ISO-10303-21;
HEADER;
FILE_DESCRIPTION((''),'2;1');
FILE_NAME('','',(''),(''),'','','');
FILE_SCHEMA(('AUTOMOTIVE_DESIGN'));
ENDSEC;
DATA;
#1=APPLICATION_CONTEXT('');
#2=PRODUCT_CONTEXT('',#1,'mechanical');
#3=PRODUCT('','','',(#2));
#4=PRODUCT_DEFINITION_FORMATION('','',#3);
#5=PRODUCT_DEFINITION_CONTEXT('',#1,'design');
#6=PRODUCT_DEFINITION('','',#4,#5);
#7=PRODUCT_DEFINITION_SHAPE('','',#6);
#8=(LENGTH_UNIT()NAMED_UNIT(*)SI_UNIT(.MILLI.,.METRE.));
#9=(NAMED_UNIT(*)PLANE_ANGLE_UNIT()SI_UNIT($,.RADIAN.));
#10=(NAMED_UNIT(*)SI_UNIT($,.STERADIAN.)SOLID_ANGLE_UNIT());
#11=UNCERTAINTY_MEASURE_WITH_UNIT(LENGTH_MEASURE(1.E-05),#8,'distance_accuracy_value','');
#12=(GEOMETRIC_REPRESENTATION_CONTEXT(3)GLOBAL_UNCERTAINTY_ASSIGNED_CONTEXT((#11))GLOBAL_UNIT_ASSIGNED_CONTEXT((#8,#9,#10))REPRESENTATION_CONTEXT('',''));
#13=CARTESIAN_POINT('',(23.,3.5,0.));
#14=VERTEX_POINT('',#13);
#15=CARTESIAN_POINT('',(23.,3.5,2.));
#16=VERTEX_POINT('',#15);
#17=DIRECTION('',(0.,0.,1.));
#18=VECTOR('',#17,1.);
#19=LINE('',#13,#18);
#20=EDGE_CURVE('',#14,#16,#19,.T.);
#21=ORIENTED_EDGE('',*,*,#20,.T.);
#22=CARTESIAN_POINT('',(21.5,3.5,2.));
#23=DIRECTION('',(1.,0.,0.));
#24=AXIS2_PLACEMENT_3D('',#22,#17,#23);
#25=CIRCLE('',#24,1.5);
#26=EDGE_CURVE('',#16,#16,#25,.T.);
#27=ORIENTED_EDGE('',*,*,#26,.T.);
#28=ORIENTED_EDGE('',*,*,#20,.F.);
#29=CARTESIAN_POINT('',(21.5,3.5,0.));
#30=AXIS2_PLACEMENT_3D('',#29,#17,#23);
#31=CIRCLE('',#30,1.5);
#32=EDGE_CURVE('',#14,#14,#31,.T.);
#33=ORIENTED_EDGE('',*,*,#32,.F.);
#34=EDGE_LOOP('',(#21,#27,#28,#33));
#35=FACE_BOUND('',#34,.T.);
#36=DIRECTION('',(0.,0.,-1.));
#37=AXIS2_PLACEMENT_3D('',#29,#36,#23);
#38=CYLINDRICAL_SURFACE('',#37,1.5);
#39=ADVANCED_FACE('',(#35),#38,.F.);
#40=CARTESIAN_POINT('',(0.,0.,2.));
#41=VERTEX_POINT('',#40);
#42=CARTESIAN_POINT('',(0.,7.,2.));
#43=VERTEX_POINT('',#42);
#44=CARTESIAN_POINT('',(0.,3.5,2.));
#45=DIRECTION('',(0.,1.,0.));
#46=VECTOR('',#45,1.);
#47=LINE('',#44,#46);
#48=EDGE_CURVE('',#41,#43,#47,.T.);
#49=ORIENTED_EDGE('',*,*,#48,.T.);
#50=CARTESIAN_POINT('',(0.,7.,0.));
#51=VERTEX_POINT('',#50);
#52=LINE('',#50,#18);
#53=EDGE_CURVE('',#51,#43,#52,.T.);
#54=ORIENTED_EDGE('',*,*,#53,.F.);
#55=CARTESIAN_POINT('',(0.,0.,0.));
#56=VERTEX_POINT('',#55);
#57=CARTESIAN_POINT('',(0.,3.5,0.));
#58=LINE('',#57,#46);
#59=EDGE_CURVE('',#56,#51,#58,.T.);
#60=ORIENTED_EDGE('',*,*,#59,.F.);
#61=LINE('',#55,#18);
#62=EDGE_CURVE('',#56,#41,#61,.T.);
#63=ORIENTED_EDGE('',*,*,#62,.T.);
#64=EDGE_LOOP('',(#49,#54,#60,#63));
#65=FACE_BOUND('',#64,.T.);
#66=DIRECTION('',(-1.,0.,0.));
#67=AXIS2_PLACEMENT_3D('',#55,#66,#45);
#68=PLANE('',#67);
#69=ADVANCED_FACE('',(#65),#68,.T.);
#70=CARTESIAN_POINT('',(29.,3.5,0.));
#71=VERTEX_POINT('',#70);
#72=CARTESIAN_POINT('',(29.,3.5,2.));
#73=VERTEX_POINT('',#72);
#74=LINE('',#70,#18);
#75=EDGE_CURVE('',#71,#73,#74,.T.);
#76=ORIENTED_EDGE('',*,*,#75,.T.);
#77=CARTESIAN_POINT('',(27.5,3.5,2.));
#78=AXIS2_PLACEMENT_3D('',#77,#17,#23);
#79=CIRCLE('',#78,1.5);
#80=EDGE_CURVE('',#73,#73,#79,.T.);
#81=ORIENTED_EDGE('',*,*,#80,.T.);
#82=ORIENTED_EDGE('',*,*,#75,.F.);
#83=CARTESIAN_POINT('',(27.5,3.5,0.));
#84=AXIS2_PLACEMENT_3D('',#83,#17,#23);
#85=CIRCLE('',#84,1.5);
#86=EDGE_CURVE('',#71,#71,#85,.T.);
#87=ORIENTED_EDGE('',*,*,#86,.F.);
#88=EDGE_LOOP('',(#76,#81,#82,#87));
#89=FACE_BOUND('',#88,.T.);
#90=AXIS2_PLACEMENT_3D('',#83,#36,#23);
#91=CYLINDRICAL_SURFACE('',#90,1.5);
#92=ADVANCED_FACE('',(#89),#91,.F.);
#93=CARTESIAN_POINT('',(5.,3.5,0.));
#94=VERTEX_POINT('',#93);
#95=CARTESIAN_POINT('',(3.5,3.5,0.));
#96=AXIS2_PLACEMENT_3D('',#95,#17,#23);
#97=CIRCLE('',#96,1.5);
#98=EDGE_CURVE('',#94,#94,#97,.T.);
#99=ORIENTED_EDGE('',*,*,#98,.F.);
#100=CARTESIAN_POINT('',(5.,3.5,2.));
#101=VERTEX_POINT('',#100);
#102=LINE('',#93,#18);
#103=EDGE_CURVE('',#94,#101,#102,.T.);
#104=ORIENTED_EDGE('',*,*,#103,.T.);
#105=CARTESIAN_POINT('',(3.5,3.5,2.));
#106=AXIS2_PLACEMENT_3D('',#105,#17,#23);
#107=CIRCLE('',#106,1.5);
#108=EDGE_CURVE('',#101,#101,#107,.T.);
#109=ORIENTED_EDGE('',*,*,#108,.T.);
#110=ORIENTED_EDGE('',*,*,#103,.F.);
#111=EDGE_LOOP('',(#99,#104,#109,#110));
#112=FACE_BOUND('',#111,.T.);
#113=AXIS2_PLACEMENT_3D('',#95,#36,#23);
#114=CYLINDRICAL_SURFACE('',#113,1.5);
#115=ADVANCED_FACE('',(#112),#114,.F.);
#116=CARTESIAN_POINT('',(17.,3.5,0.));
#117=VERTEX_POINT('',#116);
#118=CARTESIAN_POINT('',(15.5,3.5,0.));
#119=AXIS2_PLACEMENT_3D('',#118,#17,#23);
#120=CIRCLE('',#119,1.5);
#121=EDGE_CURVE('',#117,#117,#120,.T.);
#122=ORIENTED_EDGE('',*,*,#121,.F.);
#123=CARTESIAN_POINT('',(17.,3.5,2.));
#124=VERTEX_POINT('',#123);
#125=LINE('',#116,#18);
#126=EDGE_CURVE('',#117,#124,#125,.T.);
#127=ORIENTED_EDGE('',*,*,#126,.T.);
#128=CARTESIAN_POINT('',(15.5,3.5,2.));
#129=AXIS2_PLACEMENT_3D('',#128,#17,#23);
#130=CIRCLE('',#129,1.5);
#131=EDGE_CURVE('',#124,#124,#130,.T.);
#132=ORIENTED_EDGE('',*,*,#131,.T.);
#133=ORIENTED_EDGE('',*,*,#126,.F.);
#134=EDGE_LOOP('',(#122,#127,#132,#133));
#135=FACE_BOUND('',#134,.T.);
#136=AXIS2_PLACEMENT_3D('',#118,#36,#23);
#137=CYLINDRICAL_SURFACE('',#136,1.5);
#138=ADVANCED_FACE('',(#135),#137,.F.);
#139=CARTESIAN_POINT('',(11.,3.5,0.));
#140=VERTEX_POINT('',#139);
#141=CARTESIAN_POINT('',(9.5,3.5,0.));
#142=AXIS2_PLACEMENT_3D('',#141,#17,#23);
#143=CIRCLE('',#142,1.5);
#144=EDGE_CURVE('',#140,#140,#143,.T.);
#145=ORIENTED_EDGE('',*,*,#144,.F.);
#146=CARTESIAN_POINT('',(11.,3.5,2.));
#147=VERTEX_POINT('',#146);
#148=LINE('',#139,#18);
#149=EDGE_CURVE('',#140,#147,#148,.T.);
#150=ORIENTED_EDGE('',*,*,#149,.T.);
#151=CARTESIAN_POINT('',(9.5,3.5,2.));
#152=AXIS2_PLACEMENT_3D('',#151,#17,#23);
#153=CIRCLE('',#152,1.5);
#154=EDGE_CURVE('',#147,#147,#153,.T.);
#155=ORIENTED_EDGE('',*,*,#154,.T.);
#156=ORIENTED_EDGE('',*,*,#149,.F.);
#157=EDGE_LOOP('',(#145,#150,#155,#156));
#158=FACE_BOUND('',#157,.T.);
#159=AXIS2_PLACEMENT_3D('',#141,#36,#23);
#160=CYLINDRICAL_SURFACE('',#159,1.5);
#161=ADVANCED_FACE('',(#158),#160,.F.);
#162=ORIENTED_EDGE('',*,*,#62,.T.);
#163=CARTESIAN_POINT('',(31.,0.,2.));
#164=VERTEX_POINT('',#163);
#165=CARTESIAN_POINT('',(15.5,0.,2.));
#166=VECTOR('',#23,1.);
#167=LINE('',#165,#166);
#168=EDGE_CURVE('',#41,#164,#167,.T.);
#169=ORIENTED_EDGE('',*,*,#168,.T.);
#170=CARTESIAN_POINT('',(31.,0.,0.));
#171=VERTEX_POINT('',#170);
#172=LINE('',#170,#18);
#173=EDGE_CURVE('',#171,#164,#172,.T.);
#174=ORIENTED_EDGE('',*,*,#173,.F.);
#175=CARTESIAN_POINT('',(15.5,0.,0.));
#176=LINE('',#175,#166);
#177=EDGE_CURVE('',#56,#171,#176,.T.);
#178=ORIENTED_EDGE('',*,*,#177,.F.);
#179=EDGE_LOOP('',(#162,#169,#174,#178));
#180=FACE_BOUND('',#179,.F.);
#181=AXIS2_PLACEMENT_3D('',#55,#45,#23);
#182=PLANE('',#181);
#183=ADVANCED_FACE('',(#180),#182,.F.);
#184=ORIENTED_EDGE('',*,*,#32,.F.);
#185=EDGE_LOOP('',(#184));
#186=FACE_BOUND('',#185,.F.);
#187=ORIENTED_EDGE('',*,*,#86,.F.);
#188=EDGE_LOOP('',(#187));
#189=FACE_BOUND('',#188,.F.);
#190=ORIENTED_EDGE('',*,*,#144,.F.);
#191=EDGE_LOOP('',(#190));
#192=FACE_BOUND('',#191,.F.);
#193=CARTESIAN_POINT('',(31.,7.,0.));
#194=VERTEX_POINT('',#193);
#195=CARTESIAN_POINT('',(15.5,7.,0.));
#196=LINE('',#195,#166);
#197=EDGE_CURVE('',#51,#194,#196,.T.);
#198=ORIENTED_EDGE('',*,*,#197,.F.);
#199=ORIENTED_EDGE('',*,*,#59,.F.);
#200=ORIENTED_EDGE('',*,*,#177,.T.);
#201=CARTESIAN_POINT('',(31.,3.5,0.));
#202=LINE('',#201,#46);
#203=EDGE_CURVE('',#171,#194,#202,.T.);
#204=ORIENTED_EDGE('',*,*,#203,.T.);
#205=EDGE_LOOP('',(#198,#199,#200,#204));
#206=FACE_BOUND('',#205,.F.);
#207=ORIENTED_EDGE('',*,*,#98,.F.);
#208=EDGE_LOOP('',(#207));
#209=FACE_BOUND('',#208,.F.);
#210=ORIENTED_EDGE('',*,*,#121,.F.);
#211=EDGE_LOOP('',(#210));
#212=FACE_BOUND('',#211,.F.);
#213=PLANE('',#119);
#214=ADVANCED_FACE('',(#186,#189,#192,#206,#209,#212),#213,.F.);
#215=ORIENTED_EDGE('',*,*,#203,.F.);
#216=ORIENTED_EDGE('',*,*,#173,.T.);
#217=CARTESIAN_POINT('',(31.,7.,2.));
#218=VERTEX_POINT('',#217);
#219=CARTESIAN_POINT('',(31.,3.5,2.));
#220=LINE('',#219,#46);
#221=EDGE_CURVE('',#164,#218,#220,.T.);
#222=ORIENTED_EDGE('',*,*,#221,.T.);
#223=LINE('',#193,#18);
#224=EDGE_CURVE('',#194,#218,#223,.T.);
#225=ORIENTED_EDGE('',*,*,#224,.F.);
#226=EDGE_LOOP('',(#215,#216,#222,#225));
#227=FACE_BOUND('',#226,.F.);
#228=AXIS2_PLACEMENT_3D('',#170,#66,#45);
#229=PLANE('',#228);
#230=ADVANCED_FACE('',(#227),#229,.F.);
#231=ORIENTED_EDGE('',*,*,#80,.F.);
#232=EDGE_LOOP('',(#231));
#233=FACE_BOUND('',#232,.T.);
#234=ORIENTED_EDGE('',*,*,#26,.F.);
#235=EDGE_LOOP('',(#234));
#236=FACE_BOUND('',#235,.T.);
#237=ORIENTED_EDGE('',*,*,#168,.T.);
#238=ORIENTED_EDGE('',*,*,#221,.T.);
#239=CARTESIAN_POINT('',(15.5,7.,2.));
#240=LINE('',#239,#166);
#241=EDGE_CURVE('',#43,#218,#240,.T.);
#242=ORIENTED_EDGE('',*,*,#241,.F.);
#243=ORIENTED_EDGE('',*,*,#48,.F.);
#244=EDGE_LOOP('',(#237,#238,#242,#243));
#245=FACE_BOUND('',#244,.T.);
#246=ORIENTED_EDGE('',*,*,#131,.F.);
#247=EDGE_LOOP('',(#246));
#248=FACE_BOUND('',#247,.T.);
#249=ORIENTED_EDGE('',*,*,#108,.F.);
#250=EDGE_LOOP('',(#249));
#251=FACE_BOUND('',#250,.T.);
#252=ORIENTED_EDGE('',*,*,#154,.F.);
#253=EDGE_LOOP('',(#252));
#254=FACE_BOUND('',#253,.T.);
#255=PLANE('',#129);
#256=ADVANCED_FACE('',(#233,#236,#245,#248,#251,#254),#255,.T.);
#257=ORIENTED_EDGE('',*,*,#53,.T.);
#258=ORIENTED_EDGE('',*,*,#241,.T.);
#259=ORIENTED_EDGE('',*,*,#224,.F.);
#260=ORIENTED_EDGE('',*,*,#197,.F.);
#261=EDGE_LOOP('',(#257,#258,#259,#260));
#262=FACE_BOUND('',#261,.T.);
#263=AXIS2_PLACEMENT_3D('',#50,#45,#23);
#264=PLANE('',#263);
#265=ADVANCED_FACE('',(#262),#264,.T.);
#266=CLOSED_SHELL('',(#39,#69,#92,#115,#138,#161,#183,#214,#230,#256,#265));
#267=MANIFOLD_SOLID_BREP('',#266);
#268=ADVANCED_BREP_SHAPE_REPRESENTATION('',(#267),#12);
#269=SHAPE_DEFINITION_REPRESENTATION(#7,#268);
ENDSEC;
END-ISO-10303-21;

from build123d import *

# Parameters (mm, degrees)
CYLINDER002_R     = 1.5
CYLINDER002_DEPTH = 2
CYLINDER003_R     = 1.5
CYLINDER003_DEPTH = 2
CYLINDER004_R     = 1.5
CYLINDER004_DEPTH = 2
CYLINDER001_R     = 1.5
CYLINDER001_DEPTH = 2
CYLINDER_R        = 1.5
CYLINDER_DEPTH    = 2
BOX_W             = 31
BOX_H             = 7
BOX_DEPTH         = 2


with BuildPart() as cylinder002:
    # Cylinder002 → Cylinder002 (new body)
    with BuildSketch(Plane(origin=(15.5, 3.5, 0), x_dir=(1, 0, 0), z_dir=(0, 0, 1))):
        Circle(CYLINDER002_R)
    extrude(amount=CYLINDER002_DEPTH)


with BuildPart() as cylinder003:
    # Cylinder003 → Cylinder003 (new body)
    with BuildSketch(Plane(origin=(21.5, 3.5, 0), x_dir=(1, 0, 0), z_dir=(0, 0, 1))):
        Circle(CYLINDER003_R)
    extrude(amount=CYLINDER003_DEPTH)


with BuildPart() as cylinder004:
    # Cylinder004 → Cylinder004 (new body)
    with BuildSketch(Plane(origin=(9.5, 3.5, 0), x_dir=(1, 0, 0), z_dir=(0, 0, 1))):
        Circle(CYLINDER004_R)
    extrude(amount=CYLINDER004_DEPTH)


with BuildPart() as cylinder001:
    # Cylinder001 → Cylinder001 (new body)
    with BuildSketch(Plane(origin=(27.5, 3.5, 0), x_dir=(1, 0, 0), z_dir=(0, 0, 1))):
        Circle(CYLINDER001_R)
    extrude(amount=CYLINDER001_DEPTH)


with BuildPart() as cylinder:
    # Cylinder → Cylinder (new body)
    with BuildSketch(Plane(origin=(3.5, 3.5, 0), x_dir=(1, 0, 0), z_dir=(0, 0, 1))):
        Circle(CYLINDER_R)
    extrude(amount=CYLINDER_DEPTH)


with BuildPart() as cut004:
    # Box → Box (new body)
    with BuildSketch(Plane.XY):
        with Locations((15.5, 3.5)):
            Rectangle(BOX_W, BOX_H)
    extrude(amount=BOX_DEPTH)

    # Cut: cut Cylinder
    add(cylinder.part, mode=Mode.SUBTRACT)

    # Cut001: cut Cylinder001
    add(cylinder001.part, mode=Mode.SUBTRACT)

    # Cut002: cut Cylinder004
    add(cylinder004.part, mode=Mode.SUBTRACT)

    # Cut003: cut Cylinder003
    add(cylinder003.part, mode=Mode.SUBTRACT)

    # Cut004: cut Cylinder002
    add(cylinder002.part, mode=Mode.SUBTRACT)


solid = cut004.part
